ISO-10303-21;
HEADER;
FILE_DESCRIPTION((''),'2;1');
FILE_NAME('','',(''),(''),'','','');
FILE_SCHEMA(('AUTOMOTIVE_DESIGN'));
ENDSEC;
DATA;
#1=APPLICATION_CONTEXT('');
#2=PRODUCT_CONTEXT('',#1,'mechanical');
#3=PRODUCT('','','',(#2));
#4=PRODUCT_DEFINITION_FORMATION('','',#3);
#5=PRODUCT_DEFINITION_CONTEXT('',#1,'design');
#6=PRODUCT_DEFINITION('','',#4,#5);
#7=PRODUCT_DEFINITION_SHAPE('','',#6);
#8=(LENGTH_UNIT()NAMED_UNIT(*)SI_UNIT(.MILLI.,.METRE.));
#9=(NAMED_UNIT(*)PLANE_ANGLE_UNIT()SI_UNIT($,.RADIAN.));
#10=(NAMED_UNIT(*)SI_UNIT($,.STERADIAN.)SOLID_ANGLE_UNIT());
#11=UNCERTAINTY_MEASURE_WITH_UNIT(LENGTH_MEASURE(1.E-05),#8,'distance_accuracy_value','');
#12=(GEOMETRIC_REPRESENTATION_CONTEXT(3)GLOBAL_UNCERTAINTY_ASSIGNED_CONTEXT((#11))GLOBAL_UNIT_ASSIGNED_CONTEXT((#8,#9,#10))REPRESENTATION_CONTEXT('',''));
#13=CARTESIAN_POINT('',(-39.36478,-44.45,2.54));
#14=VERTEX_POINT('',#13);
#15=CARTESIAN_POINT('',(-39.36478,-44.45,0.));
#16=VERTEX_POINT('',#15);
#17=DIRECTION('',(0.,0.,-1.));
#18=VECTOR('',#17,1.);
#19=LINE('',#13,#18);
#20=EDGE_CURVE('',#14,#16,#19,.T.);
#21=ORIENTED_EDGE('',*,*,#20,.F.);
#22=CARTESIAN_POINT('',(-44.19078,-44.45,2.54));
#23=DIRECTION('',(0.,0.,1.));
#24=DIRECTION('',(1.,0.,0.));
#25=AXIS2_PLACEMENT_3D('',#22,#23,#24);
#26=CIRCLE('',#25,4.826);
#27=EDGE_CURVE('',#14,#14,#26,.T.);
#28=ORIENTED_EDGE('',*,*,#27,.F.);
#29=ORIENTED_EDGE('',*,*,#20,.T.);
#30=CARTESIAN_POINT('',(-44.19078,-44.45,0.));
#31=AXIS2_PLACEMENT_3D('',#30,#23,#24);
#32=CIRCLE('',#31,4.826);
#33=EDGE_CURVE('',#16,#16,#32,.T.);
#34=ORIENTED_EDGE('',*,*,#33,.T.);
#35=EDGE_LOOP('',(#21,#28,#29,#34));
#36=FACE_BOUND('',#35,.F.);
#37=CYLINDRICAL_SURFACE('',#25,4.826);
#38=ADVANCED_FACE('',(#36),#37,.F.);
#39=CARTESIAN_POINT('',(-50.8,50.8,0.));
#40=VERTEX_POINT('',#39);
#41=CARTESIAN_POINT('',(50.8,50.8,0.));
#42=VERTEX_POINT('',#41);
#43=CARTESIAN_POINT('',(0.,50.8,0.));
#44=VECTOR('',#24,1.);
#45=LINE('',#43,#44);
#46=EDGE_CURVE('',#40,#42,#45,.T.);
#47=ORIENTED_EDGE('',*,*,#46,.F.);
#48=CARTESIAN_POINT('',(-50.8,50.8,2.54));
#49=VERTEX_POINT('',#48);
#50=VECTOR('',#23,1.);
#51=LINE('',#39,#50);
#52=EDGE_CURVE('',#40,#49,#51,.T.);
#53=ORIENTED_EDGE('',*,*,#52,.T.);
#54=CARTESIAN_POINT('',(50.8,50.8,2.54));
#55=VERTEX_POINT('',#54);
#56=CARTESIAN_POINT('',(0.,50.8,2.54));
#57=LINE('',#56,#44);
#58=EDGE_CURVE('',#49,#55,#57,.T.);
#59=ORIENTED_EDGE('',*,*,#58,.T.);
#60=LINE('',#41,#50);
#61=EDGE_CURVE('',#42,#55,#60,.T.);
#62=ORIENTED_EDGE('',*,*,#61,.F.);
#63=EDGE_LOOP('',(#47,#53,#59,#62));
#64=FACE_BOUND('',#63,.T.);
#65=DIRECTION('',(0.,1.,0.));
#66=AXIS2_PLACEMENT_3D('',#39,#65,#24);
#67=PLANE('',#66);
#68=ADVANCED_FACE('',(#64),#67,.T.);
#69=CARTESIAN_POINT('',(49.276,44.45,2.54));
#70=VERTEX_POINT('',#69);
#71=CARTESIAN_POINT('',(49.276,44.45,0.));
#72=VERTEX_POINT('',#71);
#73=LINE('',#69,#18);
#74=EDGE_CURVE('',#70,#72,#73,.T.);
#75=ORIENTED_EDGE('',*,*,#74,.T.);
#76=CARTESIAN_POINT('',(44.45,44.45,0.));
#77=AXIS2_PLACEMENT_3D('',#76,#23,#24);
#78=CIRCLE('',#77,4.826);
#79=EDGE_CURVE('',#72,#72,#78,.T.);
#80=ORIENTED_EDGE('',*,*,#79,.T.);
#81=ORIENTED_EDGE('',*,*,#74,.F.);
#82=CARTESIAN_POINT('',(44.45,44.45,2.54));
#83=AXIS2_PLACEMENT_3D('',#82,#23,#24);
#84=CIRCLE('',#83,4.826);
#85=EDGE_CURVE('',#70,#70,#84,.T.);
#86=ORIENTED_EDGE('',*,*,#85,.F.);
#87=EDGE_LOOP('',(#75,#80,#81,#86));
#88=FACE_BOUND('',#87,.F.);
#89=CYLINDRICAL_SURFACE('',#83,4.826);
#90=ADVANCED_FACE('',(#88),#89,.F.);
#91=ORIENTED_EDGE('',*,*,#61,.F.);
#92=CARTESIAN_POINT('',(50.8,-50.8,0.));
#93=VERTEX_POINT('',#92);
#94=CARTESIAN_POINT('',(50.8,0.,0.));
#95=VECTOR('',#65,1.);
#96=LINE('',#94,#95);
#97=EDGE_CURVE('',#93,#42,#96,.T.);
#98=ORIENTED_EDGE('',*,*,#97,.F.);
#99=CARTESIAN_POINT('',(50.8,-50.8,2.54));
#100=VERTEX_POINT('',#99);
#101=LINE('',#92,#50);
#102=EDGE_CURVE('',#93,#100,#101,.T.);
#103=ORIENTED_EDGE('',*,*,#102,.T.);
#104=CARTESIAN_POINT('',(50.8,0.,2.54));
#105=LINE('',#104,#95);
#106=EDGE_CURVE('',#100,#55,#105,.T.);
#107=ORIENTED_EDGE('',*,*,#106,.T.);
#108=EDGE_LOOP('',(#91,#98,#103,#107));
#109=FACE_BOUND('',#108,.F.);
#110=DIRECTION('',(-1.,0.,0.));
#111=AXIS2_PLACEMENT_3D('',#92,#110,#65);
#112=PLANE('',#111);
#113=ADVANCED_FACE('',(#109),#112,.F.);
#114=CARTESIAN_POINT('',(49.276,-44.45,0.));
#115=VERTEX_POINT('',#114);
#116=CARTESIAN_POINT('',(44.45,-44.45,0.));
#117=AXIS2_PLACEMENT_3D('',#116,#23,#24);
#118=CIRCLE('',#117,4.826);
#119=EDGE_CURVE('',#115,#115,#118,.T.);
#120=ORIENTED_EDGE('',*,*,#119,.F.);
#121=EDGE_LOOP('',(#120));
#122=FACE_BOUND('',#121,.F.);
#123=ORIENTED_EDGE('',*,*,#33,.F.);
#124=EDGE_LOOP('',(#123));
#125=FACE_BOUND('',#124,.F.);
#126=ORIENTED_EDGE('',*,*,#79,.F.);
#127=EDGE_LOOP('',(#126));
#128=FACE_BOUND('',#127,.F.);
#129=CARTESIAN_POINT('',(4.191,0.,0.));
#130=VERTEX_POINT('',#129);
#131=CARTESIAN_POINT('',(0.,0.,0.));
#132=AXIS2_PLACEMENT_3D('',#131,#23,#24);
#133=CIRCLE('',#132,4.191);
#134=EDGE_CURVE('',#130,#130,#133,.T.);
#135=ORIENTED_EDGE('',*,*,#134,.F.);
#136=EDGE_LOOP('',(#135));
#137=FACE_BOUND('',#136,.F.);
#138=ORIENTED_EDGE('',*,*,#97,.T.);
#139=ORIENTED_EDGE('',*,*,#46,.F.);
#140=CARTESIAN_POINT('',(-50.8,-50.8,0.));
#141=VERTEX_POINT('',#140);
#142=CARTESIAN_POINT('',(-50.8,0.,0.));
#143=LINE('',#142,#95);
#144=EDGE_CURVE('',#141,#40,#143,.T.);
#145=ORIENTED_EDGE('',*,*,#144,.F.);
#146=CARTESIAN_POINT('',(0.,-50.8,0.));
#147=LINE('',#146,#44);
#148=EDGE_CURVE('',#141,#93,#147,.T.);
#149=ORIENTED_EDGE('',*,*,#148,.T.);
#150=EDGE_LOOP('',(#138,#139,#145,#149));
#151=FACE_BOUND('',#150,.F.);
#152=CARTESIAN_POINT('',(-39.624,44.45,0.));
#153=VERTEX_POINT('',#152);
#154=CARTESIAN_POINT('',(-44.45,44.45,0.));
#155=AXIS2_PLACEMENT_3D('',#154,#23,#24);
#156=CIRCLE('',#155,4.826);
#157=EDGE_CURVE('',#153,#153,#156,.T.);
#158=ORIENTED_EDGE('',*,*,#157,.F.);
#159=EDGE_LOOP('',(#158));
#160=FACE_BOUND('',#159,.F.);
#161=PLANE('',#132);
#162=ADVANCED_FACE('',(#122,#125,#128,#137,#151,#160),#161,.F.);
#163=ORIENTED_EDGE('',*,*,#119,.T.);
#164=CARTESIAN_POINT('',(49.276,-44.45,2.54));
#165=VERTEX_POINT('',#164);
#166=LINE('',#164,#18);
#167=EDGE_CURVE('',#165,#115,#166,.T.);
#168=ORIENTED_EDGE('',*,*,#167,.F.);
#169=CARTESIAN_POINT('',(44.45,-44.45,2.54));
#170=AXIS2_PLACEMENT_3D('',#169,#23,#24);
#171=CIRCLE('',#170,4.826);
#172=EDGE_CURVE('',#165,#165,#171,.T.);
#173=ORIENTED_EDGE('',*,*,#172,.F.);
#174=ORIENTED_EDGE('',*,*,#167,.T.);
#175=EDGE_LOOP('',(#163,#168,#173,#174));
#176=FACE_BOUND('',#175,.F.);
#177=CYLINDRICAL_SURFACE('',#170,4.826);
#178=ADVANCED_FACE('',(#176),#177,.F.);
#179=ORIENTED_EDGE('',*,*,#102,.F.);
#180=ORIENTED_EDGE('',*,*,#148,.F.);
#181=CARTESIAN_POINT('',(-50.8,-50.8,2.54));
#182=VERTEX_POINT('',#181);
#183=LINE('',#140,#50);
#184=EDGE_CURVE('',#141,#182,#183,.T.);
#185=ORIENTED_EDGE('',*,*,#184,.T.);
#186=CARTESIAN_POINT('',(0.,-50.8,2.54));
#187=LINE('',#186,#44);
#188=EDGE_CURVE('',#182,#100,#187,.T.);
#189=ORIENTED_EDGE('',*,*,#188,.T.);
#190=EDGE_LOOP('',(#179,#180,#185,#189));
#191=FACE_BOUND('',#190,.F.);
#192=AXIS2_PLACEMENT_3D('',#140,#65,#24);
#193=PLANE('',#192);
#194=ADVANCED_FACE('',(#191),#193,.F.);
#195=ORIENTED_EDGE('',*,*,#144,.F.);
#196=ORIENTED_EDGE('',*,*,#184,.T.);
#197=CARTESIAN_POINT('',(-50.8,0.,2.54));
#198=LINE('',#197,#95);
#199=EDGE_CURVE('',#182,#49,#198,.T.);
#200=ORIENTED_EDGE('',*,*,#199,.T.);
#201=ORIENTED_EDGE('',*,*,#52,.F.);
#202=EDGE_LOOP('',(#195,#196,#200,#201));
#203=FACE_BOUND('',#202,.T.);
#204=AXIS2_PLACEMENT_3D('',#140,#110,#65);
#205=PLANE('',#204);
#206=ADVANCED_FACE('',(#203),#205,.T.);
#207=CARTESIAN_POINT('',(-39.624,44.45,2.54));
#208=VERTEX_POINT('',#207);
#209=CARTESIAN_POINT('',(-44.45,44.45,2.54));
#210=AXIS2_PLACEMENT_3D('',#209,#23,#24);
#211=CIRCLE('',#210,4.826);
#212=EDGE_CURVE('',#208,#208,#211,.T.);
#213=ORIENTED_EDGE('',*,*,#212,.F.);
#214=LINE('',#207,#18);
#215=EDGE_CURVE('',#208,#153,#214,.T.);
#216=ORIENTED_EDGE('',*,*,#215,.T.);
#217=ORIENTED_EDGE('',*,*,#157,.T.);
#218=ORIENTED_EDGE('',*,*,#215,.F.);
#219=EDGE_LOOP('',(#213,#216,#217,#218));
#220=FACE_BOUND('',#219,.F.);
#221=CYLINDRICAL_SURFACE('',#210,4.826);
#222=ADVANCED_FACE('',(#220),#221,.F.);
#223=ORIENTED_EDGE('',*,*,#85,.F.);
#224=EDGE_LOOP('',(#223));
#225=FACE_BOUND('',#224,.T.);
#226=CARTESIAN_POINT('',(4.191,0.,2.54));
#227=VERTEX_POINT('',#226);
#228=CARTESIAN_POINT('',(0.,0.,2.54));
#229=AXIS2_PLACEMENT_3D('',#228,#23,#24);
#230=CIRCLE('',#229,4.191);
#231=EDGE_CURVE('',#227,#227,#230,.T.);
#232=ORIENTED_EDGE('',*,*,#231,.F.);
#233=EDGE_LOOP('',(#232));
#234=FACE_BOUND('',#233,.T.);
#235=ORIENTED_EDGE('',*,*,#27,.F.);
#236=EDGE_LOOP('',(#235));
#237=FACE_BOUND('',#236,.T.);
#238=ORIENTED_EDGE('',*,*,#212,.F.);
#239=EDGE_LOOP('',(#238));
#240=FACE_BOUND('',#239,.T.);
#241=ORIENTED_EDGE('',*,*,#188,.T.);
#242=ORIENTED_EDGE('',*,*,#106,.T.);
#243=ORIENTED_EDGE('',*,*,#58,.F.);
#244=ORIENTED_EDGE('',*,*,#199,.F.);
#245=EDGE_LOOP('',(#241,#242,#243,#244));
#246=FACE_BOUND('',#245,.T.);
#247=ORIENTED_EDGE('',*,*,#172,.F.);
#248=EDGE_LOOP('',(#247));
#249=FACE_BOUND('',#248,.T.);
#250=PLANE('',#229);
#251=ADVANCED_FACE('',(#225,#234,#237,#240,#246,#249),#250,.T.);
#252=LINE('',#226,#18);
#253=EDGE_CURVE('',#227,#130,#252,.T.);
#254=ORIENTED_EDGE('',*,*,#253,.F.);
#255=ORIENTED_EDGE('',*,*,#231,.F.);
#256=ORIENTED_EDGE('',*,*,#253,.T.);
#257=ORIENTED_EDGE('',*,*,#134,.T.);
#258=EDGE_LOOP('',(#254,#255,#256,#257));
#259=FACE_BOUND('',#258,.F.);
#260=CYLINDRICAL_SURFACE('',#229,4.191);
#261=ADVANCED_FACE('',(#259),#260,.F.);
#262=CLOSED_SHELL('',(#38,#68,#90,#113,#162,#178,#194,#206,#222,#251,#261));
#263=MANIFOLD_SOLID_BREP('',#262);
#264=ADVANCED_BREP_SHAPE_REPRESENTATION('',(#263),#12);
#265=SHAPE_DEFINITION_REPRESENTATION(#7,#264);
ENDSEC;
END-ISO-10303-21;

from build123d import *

# Parameters (mm, degrees)
SKETCH1_W           = 101.6
SKETCH1_H           = 101.6
BOSS_EXTRUDE1_DEPTH = 2.54
SKETCH3_R           = 4.191
CUT_EXTRUDE2_DEPTH  = 2.54
SKETCH2_R           = 4.826
CUT_EXTRUDE3_DEPTH  = 2.54


with BuildPart() as part:
    # Sketch1 → Boss-Extrude1 (new body)
    with BuildSketch(Plane.XY):
        Rectangle(SKETCH1_W, SKETCH1_H)
    extrude(amount=BOSS_EXTRUDE1_DEPTH)

    # Sketch3 → Cut-Extrude2 (cut)
    with BuildSketch(Plane.XY.offset(2.54)):
        Circle(SKETCH3_R)
    extrude(amount=-CUT_EXTRUDE2_DEPTH, mode=Mode.SUBTRACT)

    # Sketch2 → Cut-Extrude3 (cut)
    with BuildSketch(Plane.XY.offset(2.54)):
        with Locations((-44.45, 44.45)):
            Circle(SKETCH2_R)
        with Locations((44.45, 44.45)):
            Circle(SKETCH2_R)
        with Locations((44.45, -44.45)):
            Circle(SKETCH2_R)
        with Locations((-44.190779842, -44.45)):
            Circle(SKETCH2_R)
    extrude(amount=-CUT_EXTRUDE3_DEPTH, mode=Mode.SUBTRACT)


solid = part.part
